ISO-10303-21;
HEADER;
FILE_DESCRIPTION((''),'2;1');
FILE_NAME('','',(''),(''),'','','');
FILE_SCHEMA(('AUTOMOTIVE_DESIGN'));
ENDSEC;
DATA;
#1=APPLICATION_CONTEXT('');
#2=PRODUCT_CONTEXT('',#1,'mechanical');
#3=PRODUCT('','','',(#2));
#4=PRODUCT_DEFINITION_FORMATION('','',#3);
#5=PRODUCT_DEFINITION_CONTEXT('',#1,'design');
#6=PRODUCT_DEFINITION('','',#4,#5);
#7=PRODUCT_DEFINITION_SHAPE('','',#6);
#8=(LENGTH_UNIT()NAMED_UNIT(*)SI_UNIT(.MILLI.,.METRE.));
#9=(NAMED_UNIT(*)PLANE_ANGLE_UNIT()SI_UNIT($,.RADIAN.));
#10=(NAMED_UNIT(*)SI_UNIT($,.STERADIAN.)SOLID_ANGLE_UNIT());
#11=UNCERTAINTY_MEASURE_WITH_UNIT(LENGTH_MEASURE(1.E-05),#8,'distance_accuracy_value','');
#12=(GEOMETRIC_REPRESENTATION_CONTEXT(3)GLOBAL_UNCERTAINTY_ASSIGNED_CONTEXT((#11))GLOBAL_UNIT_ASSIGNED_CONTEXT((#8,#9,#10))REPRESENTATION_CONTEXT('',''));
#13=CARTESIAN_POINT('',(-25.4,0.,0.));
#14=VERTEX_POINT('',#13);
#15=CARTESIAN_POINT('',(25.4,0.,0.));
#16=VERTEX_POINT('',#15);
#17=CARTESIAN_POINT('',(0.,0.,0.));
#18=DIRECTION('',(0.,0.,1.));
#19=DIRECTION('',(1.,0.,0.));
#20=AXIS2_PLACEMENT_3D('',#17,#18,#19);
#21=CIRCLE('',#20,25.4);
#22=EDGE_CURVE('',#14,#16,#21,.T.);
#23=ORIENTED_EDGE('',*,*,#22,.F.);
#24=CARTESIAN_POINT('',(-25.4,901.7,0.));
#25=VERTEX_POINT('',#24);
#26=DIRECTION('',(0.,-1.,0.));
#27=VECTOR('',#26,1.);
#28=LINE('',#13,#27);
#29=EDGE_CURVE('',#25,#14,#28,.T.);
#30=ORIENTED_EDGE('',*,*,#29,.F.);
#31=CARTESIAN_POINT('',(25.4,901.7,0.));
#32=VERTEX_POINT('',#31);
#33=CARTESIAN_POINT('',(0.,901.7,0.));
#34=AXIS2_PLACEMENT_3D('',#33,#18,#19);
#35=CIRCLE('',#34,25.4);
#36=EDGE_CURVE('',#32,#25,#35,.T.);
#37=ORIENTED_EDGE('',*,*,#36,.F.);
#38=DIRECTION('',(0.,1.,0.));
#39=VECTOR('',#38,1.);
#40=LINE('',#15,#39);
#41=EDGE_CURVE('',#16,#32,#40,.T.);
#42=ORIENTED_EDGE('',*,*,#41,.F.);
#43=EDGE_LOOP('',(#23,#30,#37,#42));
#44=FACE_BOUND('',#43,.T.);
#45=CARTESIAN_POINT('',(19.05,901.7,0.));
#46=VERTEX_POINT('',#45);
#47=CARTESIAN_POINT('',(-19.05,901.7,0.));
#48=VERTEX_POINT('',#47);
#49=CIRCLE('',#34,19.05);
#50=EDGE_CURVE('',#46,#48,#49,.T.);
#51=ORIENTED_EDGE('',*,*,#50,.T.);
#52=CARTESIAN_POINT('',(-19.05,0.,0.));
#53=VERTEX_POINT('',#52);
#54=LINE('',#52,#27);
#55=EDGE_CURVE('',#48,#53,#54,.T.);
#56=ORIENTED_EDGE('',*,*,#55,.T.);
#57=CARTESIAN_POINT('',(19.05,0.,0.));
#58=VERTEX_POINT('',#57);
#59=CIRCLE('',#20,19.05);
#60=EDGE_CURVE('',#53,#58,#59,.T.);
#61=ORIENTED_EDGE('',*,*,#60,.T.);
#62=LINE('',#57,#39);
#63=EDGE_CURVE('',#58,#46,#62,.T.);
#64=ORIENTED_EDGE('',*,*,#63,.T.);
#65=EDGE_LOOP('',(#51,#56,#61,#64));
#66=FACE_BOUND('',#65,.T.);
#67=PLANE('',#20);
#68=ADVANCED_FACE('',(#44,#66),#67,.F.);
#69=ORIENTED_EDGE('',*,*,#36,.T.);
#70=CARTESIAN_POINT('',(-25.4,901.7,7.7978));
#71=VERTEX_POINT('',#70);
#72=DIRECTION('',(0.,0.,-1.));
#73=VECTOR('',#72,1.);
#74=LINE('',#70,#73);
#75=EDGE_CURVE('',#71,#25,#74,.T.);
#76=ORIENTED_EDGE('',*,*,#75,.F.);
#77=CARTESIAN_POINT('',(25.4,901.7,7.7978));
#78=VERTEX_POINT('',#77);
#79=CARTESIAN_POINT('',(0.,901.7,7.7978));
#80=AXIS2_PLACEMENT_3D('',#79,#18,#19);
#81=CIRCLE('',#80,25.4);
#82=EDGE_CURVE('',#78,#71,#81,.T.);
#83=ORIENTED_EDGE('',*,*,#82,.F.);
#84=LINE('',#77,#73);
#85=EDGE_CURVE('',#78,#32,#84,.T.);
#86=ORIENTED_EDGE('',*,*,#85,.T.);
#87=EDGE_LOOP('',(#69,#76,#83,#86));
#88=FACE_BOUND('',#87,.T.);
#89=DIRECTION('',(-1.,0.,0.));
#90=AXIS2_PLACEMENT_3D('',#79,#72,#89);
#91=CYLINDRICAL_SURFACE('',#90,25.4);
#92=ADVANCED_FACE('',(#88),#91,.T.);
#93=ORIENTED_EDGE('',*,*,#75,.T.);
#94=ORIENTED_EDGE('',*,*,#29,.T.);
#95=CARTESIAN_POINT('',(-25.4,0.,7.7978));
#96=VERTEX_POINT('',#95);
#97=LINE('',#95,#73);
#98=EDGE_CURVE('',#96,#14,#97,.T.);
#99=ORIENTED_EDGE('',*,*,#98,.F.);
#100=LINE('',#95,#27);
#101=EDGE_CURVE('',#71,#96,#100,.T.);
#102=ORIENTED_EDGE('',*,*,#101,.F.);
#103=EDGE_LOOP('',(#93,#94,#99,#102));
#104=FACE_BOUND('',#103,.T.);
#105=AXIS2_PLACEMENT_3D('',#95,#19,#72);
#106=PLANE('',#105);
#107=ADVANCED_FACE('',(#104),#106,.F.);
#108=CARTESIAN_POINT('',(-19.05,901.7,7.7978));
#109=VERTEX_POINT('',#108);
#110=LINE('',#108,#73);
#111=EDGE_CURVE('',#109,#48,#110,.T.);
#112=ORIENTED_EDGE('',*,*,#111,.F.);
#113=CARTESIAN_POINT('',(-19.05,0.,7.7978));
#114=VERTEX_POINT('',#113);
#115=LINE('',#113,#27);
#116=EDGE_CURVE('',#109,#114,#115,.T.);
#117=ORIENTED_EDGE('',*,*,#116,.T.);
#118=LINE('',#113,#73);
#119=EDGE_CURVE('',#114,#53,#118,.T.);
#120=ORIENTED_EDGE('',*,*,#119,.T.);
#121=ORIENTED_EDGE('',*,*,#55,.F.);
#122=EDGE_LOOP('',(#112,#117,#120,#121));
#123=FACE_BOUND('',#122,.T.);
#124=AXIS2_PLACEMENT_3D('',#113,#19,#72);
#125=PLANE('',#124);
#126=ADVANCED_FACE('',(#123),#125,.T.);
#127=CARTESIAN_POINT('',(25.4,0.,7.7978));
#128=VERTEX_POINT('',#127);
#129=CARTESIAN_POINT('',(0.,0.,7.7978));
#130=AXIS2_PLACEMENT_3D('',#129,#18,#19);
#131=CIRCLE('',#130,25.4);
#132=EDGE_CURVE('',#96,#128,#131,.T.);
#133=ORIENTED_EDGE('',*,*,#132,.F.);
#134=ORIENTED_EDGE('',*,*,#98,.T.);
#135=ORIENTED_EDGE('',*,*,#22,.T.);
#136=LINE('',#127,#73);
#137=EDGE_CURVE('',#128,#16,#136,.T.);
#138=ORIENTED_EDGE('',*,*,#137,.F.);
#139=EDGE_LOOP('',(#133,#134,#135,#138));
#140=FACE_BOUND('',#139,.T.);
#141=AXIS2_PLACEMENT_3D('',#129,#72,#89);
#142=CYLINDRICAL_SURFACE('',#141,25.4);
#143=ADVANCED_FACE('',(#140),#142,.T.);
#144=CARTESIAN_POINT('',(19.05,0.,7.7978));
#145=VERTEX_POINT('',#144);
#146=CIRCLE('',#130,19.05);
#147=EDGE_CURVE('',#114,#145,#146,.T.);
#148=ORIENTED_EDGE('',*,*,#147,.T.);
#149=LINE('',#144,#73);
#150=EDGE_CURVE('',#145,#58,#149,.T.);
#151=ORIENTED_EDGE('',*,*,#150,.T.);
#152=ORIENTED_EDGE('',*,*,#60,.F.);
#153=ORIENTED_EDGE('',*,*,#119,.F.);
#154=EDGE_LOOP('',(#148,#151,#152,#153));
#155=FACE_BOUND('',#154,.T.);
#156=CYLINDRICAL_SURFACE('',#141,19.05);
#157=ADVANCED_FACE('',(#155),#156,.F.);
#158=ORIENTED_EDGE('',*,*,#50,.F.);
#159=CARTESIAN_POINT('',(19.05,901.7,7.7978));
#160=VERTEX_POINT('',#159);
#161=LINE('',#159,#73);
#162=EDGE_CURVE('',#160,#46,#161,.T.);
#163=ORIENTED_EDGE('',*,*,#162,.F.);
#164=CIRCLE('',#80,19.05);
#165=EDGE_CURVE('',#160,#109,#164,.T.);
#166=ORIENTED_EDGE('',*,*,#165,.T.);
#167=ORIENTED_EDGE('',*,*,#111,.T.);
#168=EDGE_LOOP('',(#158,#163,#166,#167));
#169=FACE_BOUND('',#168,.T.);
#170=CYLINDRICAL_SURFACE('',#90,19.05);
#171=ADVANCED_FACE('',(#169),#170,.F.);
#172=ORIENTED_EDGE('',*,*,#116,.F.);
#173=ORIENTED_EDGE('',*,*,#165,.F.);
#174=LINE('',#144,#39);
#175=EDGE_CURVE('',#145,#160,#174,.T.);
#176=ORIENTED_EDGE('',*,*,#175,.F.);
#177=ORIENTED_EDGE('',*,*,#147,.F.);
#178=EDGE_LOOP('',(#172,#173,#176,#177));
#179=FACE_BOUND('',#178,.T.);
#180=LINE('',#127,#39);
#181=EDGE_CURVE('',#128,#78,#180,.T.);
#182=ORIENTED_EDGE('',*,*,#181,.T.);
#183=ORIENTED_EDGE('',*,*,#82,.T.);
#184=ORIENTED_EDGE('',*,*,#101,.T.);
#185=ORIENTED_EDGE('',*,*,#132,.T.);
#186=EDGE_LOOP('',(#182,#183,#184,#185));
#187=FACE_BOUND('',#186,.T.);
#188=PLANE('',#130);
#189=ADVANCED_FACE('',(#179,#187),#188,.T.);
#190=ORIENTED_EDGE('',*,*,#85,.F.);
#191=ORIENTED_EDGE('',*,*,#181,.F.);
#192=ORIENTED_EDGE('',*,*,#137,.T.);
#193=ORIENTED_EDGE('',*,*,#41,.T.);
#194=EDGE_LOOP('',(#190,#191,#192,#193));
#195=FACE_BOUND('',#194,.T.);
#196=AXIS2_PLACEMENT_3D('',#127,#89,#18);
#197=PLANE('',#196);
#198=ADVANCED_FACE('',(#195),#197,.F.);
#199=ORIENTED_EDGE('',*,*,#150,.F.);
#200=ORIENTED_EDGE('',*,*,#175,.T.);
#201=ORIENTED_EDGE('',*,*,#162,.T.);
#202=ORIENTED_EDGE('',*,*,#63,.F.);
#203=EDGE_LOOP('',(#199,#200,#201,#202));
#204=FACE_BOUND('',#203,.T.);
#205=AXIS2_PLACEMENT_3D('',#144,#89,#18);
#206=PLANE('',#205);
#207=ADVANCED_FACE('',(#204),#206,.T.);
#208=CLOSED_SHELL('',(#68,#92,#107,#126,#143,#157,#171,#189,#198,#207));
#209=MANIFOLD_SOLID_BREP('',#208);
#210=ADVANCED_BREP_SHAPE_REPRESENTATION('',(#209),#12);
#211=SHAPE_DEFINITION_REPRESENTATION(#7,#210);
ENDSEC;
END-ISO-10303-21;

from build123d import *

# Parameters (mm, degrees)
BOSS_EXTRUDE1_DEPTH = 7.7978


with BuildPart() as part:
    # Sketch1 → Boss-Extrude1 (new body)
    with BuildSketch(Plane.XY):
        with BuildLine():
            Line((-25.4, 0), (-25.4, 901.7))
            ThreePointArc((-25.4, 901.7), (0, 927.1), (25.4, 901.7))
            Line((25.4, 901.7), (25.4, 0))
            ThreePointArc((25.4, 0), (0, -25.4), (-25.4, 0))
        make_face()
        with BuildLine():
            Line((-19.05, 0), (-19.05, 901.7))
            ThreePointArc((-19.05, 901.7), (0, 920.75), (19.05, 901.7))
            Line((19.05, 901.7), (19.05, 0))
            ThreePointArc((19.05, 0), (0, -19.05), (-19.05, 0))
        make_face(mode=Mode.SUBTRACT)
    extrude(amount=BOSS_EXTRUDE1_DEPTH)


solid = part.part
